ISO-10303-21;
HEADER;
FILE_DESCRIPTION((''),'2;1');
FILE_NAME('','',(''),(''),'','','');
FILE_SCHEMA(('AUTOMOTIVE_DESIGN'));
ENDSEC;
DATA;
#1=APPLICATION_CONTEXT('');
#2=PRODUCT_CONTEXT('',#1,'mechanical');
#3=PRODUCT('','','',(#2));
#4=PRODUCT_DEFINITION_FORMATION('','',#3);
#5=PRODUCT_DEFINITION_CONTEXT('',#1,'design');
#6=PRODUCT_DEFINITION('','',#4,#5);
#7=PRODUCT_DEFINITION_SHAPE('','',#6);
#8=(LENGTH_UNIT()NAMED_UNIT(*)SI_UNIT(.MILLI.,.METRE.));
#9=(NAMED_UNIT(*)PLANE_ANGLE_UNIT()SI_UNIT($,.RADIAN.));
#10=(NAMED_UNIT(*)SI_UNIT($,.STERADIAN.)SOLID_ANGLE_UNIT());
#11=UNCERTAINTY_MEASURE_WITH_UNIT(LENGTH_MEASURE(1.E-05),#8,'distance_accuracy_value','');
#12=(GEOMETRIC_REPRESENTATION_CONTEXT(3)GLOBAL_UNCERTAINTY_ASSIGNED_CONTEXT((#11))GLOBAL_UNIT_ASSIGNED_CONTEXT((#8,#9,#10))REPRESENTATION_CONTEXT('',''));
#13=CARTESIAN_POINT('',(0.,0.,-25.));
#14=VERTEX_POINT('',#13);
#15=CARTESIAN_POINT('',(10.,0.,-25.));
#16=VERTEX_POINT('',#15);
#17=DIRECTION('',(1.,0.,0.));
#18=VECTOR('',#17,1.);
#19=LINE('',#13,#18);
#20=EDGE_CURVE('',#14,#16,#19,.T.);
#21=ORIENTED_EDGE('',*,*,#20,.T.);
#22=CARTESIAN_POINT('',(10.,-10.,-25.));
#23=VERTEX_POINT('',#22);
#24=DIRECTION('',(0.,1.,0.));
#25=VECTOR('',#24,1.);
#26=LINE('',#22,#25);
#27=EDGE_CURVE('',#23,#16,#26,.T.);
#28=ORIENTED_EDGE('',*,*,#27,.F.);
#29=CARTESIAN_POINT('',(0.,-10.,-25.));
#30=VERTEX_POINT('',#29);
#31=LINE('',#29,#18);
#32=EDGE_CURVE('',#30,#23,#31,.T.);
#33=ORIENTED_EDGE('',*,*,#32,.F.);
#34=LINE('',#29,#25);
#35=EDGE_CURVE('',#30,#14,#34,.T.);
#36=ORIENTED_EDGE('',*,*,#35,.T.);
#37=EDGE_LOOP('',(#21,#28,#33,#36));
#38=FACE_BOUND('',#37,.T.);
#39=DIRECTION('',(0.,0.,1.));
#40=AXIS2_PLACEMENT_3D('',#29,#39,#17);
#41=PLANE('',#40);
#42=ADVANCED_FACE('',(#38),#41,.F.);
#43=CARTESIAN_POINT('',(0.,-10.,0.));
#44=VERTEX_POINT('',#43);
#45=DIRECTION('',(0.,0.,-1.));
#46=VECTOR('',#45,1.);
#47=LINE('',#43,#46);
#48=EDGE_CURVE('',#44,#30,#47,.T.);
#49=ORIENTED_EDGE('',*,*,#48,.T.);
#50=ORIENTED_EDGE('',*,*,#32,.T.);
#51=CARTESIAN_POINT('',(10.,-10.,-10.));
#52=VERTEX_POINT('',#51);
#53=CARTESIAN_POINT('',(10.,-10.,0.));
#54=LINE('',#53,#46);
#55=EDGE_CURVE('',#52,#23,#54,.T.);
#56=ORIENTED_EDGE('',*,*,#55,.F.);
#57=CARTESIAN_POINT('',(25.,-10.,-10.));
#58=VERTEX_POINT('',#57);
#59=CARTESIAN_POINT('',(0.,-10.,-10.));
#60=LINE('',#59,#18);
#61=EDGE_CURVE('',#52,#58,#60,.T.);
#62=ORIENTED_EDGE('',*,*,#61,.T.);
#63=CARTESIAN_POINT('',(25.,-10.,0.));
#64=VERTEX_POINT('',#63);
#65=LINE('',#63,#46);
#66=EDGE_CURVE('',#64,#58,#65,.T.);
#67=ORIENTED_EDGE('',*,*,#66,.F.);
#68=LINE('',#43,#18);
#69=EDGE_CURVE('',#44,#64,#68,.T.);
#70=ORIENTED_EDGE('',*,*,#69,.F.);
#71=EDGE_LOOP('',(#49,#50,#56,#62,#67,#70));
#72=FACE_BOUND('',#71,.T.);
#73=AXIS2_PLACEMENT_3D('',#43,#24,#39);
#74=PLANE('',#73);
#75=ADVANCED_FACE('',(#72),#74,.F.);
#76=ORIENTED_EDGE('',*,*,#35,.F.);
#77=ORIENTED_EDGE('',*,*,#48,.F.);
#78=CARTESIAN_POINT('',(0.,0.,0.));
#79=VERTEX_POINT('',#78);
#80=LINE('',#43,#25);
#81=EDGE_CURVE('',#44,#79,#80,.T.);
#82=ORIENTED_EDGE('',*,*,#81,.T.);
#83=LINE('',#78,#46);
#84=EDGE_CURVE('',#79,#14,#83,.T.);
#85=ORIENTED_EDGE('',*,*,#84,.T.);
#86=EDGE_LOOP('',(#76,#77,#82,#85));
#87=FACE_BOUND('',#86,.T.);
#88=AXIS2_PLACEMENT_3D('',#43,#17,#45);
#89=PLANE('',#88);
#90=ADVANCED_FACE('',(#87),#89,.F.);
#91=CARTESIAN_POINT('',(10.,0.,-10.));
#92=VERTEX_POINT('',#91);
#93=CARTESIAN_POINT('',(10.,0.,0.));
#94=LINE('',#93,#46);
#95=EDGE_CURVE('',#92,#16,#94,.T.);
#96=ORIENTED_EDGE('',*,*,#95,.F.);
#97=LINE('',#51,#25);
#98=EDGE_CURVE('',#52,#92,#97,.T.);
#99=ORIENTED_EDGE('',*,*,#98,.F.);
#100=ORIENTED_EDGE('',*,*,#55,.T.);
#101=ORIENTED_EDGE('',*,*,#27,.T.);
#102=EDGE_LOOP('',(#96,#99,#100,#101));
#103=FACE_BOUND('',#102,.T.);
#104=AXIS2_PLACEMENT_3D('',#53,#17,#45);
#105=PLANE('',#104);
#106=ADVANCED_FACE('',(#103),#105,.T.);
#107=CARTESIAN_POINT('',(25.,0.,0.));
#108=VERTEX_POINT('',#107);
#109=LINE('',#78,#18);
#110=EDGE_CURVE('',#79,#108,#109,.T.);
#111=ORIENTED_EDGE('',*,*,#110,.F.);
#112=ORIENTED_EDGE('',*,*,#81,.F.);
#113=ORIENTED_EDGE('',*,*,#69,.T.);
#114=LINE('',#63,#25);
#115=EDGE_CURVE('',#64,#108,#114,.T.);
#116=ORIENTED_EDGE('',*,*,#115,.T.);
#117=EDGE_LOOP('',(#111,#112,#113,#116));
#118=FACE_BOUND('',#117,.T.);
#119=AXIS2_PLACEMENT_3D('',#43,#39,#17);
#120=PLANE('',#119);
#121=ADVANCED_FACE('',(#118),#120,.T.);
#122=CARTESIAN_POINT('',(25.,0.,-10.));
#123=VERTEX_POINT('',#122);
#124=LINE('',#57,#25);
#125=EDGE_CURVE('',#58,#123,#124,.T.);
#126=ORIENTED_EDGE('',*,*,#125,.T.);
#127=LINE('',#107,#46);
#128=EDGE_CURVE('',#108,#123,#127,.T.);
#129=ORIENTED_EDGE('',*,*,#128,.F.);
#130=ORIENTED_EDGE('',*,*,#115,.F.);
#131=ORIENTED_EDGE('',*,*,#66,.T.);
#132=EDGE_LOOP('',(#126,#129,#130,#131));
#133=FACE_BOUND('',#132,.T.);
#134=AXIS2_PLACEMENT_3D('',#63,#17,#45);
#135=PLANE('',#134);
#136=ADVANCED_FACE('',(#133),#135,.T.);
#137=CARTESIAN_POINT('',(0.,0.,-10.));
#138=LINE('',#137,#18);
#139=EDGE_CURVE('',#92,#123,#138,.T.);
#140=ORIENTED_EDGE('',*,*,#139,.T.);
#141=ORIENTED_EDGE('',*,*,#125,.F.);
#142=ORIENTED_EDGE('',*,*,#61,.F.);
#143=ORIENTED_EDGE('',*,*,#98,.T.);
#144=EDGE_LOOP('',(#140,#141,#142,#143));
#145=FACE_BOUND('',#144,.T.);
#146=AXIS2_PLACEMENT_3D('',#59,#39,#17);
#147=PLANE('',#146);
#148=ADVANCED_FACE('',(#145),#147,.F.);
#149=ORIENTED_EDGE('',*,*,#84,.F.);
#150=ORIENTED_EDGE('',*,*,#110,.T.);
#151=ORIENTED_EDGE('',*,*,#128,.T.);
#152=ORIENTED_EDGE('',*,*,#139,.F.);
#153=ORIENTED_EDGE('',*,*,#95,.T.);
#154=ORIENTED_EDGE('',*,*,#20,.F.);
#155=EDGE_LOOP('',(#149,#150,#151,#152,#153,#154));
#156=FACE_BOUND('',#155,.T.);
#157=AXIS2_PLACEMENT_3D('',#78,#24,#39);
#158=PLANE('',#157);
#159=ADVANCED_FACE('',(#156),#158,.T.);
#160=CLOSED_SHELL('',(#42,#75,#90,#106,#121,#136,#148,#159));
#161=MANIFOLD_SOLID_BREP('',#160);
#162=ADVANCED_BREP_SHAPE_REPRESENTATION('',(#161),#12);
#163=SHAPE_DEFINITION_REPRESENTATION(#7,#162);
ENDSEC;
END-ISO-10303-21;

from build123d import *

# Parameters (mm, degrees)
SKETCH1_W           = 15
SKETCH1_H           = 10
SKETCH1_W_2         = 10
SKETCH1_H_2         = 15
BOSS_EXTRUDE2_DEPTH = 10


with BuildPart() as part:
    # Sketch1 → Boss-Extrude2 (new body)
    with BuildSketch(Plane(origin=(0, 0, 0), x_dir=(1, 0, 0), z_dir=(0, 1, 0))):
        with Locations((17.5, 5)):
            Rectangle(SKETCH1_W, SKETCH1_H)
        with Locations((5, 5)):
            Rectangle(SKETCH1_W_2, SKETCH1_H)
        with Locations((5, 17.5)):
            Rectangle(SKETCH1_W_2, SKETCH1_H_2)
    extrude(amount=-BOSS_EXTRUDE2_DEPTH)


solid = part.part
